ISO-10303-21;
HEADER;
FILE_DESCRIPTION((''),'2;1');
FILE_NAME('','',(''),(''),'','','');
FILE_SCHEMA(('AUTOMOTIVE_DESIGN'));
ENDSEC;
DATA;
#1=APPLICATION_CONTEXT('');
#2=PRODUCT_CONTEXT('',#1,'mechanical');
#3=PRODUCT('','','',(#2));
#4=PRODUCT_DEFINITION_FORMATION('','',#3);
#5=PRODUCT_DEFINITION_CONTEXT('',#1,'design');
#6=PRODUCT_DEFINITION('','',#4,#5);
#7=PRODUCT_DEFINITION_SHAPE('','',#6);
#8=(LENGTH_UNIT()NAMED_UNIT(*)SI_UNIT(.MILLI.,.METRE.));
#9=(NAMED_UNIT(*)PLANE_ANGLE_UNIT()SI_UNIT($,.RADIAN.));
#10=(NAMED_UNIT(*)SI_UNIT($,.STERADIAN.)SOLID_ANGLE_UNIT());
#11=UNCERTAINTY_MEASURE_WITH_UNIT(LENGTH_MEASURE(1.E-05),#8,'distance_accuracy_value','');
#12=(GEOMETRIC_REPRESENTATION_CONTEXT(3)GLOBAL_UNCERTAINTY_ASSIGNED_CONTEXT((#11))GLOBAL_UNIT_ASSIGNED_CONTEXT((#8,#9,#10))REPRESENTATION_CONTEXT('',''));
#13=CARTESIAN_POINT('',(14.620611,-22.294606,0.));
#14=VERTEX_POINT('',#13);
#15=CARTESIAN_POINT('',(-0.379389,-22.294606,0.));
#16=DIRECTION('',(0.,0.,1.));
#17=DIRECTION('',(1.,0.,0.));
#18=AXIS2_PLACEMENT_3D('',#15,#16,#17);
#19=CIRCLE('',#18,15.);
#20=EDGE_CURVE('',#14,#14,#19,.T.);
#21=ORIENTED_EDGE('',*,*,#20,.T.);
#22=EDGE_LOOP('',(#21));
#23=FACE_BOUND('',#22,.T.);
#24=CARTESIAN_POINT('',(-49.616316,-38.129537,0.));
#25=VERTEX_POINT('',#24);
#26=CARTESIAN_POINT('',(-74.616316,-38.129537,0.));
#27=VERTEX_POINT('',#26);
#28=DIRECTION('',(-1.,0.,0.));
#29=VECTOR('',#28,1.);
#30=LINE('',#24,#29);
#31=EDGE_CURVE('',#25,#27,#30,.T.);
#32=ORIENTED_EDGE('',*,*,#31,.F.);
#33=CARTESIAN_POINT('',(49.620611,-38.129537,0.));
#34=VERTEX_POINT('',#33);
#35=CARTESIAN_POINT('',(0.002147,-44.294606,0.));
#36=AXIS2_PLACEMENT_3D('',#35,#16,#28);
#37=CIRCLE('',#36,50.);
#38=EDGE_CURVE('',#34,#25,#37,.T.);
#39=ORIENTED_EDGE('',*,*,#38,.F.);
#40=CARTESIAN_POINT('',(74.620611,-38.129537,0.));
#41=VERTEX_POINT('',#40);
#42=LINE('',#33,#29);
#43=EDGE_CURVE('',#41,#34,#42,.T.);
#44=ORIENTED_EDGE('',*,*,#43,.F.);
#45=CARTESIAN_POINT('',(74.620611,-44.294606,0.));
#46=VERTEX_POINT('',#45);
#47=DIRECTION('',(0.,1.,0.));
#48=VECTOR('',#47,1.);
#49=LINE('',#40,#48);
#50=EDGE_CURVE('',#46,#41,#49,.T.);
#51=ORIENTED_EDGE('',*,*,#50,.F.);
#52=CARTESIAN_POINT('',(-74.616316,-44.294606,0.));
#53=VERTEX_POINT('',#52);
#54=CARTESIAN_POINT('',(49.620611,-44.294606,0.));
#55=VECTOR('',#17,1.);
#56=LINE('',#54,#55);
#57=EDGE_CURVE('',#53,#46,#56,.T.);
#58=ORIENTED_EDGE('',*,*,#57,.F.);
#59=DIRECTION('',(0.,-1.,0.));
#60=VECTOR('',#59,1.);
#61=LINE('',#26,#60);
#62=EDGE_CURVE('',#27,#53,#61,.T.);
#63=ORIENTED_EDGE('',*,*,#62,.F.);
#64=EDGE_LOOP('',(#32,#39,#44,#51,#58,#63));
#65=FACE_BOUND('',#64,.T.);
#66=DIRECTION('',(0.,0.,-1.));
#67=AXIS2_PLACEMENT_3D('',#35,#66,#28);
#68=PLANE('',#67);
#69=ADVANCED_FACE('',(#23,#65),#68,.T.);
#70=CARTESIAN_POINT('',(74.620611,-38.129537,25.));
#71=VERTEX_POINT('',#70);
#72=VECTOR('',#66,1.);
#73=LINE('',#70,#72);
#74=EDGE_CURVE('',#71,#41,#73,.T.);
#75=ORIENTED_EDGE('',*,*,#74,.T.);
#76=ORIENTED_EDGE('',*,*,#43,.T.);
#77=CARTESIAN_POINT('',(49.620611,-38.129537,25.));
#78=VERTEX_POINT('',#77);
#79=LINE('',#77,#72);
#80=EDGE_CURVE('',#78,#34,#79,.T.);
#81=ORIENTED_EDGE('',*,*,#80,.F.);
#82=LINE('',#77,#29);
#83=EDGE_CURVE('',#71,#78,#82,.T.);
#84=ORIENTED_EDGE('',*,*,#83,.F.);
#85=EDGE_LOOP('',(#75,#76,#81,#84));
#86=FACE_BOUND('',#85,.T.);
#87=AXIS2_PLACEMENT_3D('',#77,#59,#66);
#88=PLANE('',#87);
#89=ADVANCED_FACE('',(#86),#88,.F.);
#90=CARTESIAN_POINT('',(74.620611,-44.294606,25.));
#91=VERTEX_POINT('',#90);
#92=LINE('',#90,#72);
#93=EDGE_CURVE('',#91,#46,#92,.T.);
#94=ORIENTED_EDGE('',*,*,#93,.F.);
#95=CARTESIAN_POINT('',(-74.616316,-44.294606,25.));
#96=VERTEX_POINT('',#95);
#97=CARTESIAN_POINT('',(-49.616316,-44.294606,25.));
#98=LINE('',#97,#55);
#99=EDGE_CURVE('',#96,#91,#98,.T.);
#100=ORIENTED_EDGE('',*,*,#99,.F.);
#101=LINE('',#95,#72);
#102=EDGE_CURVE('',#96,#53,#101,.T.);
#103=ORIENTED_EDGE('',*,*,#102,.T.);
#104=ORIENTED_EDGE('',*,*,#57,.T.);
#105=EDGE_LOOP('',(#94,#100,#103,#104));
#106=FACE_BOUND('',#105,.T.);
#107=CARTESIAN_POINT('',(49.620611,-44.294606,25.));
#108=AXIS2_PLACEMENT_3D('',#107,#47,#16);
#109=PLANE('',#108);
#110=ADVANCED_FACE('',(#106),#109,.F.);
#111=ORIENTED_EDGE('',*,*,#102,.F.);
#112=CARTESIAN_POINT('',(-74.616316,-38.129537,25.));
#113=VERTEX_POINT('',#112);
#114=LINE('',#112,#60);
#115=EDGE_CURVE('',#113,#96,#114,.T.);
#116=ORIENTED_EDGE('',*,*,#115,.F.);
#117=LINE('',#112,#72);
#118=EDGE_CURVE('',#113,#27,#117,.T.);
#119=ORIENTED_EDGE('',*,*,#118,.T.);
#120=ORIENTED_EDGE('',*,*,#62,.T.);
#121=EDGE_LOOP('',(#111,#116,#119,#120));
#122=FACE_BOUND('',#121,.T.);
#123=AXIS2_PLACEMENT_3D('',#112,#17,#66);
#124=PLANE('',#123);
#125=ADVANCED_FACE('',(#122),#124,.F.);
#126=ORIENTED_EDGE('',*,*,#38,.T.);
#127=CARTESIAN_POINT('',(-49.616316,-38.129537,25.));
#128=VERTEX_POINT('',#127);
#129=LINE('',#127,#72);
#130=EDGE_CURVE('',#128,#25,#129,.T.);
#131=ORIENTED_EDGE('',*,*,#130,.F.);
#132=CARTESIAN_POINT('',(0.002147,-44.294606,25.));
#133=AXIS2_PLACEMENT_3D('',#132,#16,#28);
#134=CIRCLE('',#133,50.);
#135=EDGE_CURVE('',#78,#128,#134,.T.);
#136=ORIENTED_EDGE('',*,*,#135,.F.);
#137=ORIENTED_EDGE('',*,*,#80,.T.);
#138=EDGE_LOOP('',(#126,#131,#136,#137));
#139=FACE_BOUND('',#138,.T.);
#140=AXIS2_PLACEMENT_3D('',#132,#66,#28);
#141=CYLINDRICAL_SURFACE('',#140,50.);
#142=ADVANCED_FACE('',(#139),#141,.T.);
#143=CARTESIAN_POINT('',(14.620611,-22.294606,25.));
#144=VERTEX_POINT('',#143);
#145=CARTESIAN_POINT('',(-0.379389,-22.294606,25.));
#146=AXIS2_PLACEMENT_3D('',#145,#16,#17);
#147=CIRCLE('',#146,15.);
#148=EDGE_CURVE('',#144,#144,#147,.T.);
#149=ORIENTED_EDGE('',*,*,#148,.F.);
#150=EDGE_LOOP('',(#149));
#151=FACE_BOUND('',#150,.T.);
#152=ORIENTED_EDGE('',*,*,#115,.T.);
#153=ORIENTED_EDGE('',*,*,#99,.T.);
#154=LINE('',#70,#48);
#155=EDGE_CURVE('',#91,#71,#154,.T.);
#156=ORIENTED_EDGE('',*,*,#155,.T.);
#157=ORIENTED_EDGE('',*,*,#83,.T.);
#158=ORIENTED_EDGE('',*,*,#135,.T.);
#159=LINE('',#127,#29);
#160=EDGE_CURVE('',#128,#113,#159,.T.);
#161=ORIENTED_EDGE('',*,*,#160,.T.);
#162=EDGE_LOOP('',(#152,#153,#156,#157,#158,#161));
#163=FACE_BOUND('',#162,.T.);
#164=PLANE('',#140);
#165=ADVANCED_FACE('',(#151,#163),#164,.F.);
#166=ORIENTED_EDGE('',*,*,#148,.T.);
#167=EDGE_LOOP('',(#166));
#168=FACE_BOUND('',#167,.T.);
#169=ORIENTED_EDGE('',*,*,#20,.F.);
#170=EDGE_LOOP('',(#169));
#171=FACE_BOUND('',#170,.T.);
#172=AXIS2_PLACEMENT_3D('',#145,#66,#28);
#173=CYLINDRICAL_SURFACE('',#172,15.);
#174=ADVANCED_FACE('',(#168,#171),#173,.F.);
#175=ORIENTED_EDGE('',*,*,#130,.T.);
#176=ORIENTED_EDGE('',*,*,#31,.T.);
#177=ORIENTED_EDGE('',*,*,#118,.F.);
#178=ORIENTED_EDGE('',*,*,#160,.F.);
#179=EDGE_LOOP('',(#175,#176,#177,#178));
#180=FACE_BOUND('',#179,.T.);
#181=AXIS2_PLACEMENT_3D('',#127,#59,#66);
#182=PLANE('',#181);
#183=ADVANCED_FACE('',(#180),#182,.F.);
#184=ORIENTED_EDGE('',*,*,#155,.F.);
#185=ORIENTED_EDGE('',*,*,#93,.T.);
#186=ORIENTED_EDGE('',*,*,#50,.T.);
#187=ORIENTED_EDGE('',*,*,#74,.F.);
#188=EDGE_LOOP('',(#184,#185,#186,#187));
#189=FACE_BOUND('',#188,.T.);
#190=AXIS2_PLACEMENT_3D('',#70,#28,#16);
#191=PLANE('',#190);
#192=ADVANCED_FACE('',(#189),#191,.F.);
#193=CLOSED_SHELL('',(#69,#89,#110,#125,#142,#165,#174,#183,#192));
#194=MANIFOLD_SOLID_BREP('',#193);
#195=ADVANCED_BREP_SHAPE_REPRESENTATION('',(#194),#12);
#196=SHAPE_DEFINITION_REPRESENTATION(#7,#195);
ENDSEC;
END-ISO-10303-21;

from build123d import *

# Parameters (mm, degrees)
SKETCH1_R           = 15
BOSS_EXTRUDE1_DEPTH = 25


with BuildPart() as part:
    # Sketch1 → Boss-Extrude1 (new body)
    with BuildSketch(Plane.XY):
        with BuildLine():
            Line((-49.61631615, -44.294605809), (49.620610998, -44.294605809))
            Line((49.620610998, -44.294605809), (74.620610998, -44.294605809))
            Line((74.620610998, -44.294605809), (74.620610998, -38.129537072))
            Line((74.620610998, -38.129537072), (49.620610998, -38.129537072))
            ThreePointArc((49.620610998, -38.129537072), (0.002147424, 5.705394191), (-49.61631615, -38.129537072))
            Line((-49.61631615, -38.129537072), (-74.61631615, -38.129537072))
            Line((-74.61631615, -38.129537072), (-74.61631615, -44.294605809))
            Line((-74.61631615, -44.294605809), (-49.61631615, -44.294605809))
        make_face()
        with Locations((-0.379389002, -22.294605809)):
            Circle(SKETCH1_R, mode=Mode.SUBTRACT)
    extrude(amount=BOSS_EXTRUDE1_DEPTH)


solid = part.part
